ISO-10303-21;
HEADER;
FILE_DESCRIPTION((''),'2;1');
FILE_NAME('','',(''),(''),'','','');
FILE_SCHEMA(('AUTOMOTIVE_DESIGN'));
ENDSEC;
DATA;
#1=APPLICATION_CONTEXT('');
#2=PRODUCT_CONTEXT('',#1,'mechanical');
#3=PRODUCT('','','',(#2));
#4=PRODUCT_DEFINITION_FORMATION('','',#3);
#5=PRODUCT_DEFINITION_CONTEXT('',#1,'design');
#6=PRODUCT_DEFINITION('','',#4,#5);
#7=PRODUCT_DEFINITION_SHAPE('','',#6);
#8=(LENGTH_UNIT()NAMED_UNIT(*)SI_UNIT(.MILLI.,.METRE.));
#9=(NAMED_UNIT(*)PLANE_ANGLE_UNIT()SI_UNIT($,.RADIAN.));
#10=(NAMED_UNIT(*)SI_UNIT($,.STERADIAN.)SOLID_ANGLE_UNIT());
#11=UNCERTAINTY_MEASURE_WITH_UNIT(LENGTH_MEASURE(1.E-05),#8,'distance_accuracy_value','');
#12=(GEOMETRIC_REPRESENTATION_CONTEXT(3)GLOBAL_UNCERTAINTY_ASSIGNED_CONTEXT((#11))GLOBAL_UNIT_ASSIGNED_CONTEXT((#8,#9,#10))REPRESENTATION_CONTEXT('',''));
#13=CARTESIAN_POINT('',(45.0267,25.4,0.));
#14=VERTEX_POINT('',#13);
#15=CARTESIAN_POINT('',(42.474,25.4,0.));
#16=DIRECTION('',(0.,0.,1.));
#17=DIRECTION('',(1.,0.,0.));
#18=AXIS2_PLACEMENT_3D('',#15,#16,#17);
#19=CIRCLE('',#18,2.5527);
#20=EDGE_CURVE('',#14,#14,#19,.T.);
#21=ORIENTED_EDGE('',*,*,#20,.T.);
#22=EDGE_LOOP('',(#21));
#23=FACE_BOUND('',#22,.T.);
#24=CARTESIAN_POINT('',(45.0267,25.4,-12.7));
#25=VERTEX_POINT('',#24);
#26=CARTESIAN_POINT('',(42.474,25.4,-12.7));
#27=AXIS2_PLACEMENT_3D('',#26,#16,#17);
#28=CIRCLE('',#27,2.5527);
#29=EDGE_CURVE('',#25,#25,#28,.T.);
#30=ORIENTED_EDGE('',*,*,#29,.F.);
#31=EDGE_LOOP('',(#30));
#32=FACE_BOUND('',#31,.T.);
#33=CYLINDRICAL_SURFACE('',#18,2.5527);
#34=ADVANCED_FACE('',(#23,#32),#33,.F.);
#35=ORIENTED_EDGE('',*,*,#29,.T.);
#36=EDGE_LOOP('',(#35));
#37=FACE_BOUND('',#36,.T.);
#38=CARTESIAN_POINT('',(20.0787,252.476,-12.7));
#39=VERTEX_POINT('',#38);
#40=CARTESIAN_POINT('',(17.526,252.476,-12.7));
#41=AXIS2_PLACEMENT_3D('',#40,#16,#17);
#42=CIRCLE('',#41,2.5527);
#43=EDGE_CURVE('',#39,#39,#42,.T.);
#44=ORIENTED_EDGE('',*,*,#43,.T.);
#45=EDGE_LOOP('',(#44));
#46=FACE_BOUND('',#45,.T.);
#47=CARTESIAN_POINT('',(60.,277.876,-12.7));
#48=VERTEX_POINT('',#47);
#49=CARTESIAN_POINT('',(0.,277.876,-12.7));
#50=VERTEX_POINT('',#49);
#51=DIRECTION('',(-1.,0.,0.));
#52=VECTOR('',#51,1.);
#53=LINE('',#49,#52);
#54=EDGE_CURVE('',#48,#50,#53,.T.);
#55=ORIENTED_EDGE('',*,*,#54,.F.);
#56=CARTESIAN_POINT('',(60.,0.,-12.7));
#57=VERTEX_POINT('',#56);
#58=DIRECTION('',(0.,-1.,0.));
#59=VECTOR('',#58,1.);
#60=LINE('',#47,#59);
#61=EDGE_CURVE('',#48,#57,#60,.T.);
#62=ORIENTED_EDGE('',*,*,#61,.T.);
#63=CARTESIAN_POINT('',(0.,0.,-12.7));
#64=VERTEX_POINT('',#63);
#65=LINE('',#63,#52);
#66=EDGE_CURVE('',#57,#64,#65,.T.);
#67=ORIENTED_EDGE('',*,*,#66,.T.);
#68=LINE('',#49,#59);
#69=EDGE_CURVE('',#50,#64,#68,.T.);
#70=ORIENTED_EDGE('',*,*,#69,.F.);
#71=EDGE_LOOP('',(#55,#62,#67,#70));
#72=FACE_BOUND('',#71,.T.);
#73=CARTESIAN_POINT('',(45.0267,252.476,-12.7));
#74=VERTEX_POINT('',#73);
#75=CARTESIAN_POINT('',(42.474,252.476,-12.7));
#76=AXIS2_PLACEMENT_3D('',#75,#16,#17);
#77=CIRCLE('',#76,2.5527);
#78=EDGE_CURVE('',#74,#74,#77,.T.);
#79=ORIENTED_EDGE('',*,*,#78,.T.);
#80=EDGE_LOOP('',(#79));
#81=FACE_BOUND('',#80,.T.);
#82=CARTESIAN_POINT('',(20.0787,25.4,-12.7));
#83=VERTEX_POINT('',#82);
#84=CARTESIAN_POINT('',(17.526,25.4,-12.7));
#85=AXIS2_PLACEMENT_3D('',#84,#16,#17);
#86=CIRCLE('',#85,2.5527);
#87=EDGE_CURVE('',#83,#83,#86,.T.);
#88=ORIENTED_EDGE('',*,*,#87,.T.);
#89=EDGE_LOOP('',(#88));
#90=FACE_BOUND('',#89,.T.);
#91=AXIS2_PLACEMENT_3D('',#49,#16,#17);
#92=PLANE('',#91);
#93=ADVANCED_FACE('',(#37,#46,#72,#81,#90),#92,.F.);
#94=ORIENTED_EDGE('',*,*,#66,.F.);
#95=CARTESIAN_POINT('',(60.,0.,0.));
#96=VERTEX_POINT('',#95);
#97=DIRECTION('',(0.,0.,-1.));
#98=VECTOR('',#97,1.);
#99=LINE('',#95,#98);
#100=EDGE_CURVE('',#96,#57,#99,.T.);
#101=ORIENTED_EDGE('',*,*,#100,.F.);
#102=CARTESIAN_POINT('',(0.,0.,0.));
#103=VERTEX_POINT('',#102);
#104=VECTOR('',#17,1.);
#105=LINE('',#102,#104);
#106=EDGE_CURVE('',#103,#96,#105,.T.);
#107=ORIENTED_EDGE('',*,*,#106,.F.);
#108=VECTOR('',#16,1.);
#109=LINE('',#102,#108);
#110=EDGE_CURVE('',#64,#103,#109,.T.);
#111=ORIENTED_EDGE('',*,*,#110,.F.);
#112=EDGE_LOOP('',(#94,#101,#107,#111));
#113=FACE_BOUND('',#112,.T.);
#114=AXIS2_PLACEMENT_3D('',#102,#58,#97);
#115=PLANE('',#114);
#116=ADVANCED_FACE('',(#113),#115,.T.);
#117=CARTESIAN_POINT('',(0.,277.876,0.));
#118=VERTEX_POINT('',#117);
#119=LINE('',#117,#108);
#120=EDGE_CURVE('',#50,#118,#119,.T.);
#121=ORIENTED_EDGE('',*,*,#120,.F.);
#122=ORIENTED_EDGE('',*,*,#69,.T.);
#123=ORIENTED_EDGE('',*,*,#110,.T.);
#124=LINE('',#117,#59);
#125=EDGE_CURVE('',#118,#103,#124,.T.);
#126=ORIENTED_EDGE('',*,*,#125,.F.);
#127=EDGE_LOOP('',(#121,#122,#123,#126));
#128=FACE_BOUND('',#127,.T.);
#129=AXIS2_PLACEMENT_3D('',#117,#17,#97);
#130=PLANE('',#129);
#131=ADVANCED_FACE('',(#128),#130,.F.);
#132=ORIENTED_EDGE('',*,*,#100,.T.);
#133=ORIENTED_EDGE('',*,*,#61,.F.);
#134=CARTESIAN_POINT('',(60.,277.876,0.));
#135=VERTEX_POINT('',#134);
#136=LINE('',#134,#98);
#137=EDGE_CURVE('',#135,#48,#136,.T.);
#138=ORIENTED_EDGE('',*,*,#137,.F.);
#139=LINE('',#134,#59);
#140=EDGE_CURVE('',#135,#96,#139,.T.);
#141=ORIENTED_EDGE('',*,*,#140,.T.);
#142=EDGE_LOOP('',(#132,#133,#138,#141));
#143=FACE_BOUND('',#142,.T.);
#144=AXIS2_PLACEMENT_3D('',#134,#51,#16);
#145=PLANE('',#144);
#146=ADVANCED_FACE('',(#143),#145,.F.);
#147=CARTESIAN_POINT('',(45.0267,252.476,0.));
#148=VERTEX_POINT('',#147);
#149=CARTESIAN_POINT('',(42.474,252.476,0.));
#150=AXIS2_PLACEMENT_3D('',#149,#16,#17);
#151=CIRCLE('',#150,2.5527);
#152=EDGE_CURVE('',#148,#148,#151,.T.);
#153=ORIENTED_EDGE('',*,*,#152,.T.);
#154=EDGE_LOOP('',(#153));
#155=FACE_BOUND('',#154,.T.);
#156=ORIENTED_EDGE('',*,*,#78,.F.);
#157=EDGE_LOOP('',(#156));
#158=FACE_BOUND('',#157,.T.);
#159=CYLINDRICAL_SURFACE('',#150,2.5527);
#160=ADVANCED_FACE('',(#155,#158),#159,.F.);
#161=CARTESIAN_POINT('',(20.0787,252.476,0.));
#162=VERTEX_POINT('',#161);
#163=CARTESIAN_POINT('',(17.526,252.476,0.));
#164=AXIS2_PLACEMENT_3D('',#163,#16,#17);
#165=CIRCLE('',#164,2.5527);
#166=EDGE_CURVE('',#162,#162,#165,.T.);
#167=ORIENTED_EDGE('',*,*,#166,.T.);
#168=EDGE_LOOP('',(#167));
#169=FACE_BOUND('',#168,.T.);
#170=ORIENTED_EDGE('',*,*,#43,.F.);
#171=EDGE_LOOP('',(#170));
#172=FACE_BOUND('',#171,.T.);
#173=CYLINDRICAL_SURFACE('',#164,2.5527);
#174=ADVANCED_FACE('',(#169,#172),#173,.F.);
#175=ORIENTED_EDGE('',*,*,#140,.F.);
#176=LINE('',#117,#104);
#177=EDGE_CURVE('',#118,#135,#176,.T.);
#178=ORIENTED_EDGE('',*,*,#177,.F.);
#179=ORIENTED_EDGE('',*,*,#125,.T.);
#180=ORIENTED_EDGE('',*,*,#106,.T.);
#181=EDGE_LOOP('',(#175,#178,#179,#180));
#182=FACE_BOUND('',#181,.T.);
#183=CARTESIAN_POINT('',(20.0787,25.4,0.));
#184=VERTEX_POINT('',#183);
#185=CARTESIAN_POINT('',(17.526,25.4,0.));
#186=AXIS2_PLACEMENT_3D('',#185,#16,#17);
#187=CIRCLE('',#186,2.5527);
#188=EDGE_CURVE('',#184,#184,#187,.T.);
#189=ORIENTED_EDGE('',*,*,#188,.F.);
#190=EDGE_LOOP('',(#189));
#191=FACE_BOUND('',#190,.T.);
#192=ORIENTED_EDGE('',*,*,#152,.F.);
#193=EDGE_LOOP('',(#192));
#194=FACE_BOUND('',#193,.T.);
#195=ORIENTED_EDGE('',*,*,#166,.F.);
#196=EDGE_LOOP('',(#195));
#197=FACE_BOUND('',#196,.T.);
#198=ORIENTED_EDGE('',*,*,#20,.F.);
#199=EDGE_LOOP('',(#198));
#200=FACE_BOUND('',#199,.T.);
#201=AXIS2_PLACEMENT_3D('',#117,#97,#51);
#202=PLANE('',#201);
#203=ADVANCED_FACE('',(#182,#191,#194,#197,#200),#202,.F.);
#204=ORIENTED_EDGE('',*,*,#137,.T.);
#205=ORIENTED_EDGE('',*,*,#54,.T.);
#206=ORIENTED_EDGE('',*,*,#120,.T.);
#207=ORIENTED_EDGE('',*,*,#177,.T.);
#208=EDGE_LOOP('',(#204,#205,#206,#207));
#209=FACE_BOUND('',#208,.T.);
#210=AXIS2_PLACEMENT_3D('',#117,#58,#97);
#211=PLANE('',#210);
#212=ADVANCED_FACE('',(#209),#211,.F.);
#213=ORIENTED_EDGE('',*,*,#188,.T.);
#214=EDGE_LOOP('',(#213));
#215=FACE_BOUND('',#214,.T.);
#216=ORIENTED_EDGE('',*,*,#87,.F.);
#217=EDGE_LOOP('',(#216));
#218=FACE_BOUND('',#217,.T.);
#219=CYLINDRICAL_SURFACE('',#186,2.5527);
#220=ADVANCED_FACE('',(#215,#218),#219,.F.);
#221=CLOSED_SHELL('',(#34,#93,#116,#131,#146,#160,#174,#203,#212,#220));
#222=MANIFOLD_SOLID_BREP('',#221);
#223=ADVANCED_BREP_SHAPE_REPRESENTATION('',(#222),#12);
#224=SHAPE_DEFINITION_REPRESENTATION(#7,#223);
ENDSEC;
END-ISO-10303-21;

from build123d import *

# Parameters (mm, degrees)
SKETCH1_W               = 60
SKETCH1_H               = 12.7
BOSS_EXTRUDE1_DEPTH     = 277.876
F_1_4_20_TAPPED_HOLE1_D = 5.1054


with BuildPart() as part:
    # Sketch1 → Boss-Extrude1 (new body)
    with BuildSketch(Plane(origin=(0, 0, 0), x_dir=(1, 0, 0), z_dir=(0, 1, 0))):
        with Locations((30, 6.35)):
            Rectangle(SKETCH1_W, SKETCH1_H)
    extrude(amount=BOSS_EXTRUDE1_DEPTH)

    # 1/4-20 Tapped Hole1 (through all)
    with Locations(Plane(origin=(17.526, 252.476, 0), x_dir=(1, 0, 0), z_dir=(0, 0, 1))):
        with Locations((0, 0), (24.948, 0), (0, -227.076), (24.948, -227.076)):
            Hole(F_1_4_20_TAPPED_HOLE1_D / 2)


solid = part.part
